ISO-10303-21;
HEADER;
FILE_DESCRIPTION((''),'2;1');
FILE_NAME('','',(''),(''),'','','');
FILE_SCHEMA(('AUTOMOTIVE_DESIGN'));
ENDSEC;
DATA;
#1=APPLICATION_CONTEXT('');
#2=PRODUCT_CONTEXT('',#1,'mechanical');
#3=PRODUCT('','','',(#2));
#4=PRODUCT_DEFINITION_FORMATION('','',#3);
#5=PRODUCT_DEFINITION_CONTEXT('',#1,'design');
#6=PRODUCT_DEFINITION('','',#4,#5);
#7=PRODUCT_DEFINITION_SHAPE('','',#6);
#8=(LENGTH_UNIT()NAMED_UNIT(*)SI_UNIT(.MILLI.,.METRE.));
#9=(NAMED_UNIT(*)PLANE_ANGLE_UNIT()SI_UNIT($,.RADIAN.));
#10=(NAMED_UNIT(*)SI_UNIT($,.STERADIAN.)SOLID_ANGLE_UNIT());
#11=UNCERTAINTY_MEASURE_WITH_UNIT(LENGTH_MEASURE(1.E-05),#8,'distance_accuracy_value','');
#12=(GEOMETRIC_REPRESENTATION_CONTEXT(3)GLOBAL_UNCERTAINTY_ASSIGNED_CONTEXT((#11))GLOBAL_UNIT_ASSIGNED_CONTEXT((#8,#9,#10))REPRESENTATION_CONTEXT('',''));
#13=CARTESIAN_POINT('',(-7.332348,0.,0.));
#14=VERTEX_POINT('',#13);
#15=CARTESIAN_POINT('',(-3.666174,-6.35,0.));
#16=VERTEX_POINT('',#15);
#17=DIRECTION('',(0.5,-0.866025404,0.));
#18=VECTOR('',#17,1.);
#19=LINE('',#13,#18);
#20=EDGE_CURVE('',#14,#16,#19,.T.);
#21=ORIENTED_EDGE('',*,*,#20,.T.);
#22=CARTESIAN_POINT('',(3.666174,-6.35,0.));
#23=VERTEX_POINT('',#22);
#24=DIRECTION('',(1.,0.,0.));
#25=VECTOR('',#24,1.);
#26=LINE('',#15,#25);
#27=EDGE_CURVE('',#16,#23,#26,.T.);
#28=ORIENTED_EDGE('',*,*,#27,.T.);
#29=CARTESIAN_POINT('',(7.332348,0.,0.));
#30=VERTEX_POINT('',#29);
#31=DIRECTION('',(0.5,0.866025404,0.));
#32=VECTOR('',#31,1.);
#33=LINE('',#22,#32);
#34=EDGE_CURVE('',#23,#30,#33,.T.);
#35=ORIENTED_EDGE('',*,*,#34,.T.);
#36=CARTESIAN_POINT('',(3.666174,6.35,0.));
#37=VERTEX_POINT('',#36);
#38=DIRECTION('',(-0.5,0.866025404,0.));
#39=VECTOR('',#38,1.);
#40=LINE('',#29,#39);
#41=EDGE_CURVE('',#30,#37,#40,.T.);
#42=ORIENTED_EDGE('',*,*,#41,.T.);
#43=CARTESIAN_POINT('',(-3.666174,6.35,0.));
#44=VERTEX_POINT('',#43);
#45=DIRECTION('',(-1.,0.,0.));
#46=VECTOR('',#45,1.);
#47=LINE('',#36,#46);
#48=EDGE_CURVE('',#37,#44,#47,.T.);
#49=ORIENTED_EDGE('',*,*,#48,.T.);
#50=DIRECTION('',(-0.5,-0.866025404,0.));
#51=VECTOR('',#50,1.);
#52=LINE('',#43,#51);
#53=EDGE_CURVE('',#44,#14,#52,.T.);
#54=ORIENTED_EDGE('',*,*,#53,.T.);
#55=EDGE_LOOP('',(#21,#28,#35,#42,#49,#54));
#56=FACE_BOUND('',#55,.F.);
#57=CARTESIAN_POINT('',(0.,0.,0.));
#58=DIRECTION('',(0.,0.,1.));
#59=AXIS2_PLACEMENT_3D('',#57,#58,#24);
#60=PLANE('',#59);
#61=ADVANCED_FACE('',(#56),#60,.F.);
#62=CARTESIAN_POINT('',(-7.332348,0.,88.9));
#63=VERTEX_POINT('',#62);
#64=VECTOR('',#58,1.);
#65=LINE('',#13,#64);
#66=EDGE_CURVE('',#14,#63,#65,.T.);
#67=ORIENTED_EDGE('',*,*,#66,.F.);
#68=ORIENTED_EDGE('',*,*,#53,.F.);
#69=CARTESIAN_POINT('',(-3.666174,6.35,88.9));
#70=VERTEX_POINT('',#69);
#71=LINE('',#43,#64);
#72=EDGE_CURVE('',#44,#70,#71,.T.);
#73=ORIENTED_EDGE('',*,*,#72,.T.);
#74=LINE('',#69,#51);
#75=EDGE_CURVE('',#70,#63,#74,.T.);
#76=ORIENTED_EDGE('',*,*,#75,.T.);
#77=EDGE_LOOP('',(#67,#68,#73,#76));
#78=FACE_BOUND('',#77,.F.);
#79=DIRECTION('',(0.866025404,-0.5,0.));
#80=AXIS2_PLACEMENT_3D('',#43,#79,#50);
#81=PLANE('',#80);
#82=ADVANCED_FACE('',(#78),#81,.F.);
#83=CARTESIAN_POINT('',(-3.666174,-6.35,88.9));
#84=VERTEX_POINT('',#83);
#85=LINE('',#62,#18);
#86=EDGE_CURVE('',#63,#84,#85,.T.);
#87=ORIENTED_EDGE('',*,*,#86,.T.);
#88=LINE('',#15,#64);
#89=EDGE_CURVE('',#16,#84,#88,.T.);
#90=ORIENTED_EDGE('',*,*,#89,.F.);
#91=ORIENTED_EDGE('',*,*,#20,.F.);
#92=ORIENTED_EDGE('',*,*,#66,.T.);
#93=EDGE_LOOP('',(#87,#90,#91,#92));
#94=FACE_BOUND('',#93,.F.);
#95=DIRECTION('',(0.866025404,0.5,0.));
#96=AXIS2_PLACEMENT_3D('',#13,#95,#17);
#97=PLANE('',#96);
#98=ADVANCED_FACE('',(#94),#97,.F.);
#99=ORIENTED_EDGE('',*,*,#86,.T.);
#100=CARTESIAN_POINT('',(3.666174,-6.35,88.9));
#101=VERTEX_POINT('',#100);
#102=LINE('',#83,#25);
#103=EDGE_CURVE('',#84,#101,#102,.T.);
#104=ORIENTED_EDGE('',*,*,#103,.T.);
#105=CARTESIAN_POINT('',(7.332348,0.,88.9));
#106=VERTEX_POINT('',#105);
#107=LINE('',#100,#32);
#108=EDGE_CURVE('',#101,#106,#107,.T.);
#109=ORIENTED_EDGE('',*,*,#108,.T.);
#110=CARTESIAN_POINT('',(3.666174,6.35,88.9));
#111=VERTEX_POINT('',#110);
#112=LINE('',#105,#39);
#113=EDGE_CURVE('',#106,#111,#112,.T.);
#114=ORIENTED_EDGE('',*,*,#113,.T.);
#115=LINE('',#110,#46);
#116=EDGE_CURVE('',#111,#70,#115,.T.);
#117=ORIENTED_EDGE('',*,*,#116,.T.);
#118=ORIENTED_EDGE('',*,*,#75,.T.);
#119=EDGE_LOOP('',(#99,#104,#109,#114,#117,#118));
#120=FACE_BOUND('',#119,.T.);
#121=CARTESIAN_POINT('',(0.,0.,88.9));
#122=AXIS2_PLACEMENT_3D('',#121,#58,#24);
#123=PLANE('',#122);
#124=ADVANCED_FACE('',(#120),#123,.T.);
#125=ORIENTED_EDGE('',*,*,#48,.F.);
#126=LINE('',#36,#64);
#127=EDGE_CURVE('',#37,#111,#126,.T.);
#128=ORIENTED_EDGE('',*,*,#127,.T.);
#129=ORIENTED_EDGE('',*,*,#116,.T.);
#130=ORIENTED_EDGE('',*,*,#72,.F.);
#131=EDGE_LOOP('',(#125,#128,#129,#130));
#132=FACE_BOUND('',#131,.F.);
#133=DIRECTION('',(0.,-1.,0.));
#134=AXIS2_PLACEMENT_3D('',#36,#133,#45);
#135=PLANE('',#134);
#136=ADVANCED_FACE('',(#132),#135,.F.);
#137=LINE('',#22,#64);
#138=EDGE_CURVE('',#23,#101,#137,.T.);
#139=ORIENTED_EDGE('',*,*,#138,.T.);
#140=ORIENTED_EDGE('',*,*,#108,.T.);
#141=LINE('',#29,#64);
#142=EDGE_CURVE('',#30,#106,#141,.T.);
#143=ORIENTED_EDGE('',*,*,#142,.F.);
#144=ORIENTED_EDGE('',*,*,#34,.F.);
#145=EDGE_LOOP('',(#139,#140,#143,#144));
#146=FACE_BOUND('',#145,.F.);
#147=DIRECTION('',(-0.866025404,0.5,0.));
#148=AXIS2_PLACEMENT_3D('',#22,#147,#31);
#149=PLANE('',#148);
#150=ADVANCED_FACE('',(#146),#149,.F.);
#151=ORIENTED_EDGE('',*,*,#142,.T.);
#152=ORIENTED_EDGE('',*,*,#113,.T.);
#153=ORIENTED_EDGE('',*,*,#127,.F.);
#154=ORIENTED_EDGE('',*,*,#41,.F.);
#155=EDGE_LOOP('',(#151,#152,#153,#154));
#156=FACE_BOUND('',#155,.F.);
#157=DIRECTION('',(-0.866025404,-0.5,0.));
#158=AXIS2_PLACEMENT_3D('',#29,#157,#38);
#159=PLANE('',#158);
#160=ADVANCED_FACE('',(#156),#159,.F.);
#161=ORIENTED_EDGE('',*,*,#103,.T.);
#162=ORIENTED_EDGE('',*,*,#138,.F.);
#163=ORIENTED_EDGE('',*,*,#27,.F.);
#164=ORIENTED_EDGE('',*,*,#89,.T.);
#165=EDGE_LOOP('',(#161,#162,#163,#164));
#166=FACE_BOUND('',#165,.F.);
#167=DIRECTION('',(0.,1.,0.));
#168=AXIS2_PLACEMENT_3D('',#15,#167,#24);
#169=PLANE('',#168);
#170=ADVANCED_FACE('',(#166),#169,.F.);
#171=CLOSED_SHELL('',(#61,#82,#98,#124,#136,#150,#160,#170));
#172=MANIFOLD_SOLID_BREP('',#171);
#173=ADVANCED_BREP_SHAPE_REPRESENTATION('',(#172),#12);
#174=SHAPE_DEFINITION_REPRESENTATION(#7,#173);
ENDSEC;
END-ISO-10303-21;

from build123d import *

# Parameters (mm, degrees)
BOSS_EXTRUDE1_DEPTH = 88.9


with BuildPart() as part:
    # Sketch1 → Boss-Extrude1 (new body)
    with BuildSketch(Plane.XY):
        Polygon((7.332348419, 0), (3.666174209, 6.35), (-3.666174209, 6.35), (-7.332348419, 0), (-3.666174209, -6.35), (3.666174209, -6.35), align=None)
    extrude(amount=BOSS_EXTRUDE1_DEPTH)


solid = part.part
